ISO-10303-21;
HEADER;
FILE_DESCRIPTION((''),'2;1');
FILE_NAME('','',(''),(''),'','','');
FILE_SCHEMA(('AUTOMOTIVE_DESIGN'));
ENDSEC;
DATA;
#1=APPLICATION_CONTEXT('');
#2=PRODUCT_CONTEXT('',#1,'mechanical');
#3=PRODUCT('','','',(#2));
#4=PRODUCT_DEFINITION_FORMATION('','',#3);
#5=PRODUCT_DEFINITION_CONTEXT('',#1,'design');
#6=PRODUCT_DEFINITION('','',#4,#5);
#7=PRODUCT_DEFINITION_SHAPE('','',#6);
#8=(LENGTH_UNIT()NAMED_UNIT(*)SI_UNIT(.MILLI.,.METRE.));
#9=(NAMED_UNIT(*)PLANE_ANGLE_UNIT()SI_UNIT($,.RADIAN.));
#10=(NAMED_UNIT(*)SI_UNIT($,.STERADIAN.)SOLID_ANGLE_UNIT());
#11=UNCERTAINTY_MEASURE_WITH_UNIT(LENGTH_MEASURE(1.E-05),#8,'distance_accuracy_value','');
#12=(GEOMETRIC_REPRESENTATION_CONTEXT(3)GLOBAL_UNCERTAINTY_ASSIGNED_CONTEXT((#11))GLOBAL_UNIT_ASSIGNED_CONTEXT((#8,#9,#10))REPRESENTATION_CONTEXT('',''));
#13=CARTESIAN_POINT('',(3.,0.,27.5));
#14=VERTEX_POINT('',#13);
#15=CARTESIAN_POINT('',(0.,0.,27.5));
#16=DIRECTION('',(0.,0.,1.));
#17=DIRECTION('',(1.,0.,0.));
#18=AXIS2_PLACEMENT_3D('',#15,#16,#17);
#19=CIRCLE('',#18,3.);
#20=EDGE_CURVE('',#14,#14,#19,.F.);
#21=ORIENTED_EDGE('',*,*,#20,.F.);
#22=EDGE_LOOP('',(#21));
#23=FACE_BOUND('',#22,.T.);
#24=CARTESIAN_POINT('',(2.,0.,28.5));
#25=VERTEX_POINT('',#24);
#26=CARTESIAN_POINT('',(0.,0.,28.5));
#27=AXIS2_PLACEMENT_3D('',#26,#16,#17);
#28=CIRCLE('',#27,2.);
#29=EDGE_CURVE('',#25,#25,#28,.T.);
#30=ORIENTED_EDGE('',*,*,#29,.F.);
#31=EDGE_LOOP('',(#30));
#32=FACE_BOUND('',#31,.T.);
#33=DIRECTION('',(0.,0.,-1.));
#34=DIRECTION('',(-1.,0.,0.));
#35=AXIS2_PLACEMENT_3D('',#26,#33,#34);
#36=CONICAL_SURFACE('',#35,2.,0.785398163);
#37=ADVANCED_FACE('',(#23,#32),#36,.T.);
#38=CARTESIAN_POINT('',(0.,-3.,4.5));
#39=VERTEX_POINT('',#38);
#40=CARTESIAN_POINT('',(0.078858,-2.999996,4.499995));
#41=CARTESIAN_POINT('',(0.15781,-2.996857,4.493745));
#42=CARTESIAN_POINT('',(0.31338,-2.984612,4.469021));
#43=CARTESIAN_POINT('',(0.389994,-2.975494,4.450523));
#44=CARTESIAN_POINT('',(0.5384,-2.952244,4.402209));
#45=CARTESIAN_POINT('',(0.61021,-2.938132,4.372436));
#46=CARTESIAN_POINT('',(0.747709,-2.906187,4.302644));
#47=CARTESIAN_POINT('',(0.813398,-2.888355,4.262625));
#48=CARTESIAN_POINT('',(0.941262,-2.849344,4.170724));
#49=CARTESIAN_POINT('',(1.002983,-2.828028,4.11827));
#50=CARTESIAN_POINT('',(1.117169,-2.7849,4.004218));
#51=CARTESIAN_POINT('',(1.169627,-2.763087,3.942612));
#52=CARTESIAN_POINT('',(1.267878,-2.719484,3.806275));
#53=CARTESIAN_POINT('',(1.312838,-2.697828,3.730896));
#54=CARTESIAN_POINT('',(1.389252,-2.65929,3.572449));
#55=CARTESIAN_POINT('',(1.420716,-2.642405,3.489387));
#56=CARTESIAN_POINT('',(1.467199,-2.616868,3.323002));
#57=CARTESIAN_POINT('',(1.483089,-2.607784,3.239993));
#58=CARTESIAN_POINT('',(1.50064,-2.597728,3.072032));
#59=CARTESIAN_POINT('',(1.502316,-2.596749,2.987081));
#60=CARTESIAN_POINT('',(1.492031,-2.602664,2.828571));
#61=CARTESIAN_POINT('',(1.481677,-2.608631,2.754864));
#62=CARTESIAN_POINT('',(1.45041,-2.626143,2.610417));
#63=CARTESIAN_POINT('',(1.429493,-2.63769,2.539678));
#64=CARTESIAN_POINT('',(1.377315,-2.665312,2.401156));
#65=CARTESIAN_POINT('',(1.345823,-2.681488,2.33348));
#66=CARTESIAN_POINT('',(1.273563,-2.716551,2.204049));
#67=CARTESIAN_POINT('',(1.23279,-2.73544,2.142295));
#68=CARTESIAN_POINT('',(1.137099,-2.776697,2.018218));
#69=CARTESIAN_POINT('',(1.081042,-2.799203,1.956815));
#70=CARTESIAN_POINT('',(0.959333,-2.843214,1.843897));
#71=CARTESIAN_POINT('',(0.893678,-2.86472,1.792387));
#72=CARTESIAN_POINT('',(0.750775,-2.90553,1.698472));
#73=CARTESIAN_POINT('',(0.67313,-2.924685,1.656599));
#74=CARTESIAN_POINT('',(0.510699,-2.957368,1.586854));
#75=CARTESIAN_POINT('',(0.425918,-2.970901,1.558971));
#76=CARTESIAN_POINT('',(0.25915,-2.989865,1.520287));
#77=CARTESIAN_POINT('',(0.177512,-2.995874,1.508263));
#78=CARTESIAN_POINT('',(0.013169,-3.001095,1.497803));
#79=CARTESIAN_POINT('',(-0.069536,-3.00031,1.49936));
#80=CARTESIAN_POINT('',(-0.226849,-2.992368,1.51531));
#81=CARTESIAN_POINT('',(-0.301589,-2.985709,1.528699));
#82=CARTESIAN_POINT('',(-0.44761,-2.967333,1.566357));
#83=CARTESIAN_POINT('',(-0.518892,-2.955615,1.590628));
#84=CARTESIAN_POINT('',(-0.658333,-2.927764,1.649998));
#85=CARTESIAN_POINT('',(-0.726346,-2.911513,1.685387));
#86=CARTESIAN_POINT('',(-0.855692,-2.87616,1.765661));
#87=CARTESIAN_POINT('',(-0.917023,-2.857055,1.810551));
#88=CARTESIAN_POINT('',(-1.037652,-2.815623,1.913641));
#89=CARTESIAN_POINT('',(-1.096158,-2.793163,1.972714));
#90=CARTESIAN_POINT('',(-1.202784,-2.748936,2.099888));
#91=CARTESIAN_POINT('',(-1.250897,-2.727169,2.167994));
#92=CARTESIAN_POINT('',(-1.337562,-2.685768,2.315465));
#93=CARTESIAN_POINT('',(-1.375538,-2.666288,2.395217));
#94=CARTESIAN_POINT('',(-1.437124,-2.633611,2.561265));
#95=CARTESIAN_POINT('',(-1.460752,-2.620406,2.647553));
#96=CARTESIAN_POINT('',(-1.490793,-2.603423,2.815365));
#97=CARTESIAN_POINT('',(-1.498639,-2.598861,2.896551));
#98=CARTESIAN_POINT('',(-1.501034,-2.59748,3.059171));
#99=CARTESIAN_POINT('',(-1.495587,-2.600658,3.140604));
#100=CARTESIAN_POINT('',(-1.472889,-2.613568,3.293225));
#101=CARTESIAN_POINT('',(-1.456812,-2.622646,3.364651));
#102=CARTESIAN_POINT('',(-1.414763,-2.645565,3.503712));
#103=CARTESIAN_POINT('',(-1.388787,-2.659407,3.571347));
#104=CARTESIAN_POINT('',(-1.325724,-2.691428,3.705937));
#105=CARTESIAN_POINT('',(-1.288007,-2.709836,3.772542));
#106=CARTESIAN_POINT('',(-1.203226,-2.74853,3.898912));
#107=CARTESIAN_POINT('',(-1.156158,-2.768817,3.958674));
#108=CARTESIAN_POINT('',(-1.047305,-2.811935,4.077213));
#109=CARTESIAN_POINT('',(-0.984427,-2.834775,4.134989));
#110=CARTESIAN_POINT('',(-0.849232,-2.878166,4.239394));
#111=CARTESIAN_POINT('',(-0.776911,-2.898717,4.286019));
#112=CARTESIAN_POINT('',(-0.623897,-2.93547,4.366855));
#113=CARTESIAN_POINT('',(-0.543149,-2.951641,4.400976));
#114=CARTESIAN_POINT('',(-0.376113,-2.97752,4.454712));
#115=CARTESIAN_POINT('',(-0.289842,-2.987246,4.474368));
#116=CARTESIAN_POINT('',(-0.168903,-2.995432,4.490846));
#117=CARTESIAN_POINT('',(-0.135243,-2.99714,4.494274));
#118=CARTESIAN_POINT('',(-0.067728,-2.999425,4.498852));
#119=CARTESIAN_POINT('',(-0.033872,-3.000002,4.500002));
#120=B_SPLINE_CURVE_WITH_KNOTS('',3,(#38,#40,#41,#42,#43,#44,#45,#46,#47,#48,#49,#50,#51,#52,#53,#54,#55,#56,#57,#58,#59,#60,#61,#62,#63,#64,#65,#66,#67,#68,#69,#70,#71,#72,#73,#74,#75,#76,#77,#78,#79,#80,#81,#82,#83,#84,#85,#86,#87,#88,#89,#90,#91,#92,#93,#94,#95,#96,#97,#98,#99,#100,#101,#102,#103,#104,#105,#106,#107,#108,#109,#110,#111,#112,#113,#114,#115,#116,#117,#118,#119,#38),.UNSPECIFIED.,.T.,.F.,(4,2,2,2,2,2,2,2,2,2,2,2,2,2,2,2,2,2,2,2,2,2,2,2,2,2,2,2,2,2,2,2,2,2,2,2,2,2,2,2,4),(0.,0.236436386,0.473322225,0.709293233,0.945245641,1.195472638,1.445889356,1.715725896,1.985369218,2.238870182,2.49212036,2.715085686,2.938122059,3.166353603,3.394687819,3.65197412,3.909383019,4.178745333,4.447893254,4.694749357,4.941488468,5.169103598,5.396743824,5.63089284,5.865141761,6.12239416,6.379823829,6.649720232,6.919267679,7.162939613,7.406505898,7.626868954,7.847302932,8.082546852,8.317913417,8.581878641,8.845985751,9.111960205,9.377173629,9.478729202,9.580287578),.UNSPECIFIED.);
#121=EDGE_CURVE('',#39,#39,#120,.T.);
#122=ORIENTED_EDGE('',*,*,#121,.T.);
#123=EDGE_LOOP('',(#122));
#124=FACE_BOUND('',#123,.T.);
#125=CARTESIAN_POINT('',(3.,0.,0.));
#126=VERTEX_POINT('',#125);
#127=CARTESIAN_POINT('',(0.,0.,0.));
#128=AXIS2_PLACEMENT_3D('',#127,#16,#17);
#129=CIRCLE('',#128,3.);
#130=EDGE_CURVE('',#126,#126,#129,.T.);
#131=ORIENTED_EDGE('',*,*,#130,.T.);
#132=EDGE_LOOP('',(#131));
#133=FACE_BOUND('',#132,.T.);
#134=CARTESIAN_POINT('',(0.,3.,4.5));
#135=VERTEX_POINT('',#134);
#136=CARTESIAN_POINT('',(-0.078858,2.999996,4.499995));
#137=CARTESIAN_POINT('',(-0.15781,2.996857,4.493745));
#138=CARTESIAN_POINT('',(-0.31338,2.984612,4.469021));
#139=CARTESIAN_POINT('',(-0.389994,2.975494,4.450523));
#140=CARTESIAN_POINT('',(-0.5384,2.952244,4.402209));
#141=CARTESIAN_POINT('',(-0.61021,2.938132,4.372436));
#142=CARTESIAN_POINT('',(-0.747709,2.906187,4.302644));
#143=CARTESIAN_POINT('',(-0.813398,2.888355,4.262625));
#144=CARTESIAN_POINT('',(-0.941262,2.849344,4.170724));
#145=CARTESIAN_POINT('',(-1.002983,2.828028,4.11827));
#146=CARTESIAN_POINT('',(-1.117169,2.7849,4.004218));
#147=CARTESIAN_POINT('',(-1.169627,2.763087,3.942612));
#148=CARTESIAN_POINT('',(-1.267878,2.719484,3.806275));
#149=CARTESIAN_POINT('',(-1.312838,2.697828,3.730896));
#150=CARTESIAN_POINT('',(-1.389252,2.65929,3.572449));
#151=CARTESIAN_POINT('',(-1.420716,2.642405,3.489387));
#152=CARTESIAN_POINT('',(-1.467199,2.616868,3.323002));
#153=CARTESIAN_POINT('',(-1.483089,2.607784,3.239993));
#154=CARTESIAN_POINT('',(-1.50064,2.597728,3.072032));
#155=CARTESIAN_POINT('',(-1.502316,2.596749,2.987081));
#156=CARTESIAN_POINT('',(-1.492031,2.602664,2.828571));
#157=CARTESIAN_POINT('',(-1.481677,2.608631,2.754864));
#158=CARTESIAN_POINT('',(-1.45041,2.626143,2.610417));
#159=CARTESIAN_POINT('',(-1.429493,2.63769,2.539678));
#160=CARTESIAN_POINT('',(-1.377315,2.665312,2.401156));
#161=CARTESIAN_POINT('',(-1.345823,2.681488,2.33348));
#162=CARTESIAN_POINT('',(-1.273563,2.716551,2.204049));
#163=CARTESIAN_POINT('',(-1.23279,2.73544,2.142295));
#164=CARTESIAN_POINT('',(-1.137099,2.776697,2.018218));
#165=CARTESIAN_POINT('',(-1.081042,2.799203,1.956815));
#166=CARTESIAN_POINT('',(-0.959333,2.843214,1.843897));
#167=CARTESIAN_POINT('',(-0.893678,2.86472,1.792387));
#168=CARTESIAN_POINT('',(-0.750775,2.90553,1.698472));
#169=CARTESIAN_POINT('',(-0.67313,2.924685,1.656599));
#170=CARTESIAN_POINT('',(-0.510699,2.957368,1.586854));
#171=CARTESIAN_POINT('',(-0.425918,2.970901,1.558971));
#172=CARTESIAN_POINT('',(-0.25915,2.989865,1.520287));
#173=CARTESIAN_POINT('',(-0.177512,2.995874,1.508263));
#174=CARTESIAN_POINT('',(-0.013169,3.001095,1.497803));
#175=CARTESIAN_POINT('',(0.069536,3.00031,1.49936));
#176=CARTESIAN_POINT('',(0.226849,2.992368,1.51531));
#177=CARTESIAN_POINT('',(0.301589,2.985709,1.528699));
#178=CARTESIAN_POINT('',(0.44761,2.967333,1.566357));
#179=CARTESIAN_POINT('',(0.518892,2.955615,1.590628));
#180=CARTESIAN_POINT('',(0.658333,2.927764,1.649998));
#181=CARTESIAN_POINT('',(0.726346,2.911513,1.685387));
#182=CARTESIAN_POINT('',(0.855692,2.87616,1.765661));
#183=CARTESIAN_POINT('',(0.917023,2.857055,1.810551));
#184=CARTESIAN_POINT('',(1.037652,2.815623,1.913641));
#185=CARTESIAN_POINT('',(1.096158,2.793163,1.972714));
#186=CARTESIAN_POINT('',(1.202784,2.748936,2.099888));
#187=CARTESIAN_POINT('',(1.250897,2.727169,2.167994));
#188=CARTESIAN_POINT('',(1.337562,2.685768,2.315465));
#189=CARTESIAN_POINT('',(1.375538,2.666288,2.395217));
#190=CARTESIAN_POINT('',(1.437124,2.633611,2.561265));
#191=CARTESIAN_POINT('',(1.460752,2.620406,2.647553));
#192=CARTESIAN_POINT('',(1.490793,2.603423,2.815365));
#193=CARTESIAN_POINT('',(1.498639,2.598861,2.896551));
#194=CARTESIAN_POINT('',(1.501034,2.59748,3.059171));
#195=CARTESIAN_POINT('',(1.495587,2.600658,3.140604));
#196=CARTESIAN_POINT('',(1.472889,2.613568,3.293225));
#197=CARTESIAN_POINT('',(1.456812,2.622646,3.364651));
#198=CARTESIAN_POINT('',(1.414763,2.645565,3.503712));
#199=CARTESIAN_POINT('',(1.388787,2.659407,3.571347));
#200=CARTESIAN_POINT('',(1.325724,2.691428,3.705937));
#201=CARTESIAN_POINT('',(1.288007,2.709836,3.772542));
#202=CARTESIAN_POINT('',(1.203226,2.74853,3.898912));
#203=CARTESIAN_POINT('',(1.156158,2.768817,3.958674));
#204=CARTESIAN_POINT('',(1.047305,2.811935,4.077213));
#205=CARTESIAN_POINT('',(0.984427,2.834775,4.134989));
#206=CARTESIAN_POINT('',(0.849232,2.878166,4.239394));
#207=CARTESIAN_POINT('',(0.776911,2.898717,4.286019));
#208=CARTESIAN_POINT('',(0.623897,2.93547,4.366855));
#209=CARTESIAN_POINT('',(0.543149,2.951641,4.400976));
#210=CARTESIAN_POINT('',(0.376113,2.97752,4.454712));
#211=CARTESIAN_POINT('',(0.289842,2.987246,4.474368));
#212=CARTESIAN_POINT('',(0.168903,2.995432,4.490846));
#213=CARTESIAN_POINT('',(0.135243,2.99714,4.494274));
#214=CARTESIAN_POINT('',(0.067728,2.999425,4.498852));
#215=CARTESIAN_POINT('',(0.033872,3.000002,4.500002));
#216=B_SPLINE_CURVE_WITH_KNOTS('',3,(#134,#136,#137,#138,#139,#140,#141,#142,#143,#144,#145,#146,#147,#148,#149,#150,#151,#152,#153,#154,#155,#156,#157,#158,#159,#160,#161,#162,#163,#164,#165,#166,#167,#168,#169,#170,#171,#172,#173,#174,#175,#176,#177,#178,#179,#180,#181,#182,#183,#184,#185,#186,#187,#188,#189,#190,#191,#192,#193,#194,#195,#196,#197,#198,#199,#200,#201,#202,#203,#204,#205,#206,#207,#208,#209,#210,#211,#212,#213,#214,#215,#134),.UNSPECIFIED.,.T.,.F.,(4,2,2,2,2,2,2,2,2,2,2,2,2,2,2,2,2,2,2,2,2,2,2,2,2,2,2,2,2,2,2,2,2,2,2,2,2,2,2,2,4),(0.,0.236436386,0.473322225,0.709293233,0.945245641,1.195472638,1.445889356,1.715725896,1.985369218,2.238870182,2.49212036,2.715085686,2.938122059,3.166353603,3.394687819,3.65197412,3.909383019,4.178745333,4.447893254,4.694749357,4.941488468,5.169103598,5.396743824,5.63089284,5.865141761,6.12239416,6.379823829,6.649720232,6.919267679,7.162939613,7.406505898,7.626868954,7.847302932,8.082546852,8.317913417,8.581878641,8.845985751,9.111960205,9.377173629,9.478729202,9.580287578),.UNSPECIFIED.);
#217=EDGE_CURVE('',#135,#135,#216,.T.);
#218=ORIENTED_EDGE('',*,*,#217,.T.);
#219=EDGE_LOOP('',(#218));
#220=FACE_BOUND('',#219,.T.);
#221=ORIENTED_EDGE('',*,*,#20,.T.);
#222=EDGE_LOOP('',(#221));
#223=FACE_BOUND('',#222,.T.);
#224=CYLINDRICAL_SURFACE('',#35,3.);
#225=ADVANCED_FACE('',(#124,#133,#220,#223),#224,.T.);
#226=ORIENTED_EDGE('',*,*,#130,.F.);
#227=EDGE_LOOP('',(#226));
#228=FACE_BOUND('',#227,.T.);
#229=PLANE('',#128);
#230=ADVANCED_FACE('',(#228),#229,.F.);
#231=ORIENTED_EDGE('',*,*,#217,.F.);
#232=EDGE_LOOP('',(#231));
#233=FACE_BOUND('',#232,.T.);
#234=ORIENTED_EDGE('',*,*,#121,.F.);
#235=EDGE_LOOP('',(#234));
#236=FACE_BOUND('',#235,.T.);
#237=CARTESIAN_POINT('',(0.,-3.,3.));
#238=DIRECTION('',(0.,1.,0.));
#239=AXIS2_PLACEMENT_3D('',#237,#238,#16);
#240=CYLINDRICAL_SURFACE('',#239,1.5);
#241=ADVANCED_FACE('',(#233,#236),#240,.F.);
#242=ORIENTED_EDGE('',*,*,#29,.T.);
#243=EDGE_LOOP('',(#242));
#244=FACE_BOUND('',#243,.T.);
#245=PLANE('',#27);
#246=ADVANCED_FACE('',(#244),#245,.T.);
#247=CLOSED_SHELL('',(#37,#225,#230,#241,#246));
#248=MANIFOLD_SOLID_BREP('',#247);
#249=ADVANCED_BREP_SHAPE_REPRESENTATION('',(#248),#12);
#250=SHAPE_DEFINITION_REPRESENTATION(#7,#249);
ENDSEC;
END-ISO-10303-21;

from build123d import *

# Parameters (mm, degrees)
ESQUISSE1_R                  = 3
BOSS_EXTRU_1_DEPTH           = 28.5
ENL_V_MAT_EXTRU_1_DEPTH      = 29.814059068
ENL_V_MAT_EXTRU_1_DEPTH_BACK = 29.814059068
ESQUISSE2_R                  = 1.5
CHANFREIN1_SIZE              = 1


with BuildPart() as part:
    # Esquisse1 → Boss.-Extru.1 (new body)
    with BuildSketch(Plane.XY):
        with Locations(Location((0, 0, 0), (0, 0, 180))):
            Circle(ESQUISSE1_R)
    extrude(amount=BOSS_EXTRU_1_DEPTH)

    # Esquisse2 → Enlèv. mat.-Extru.1 (cut, two sides: drawn at the far end of the back side and taken through both)
    with BuildSketch(Plane(origin=(0, 0, 0), x_dir=(1, 0, 0), z_dir=(0, 1, 0)).offset(-ENL_V_MAT_EXTRU_1_DEPTH_BACK)):
        with Locations(Location((0, -3, 0), (0, 0, 270))):
            Circle(ESQUISSE2_R)
    extrude(amount=ENL_V_MAT_EXTRU_1_DEPTH + ENL_V_MAT_EXTRU_1_DEPTH_BACK, mode=Mode.SUBTRACT)

    # Chanfrein1
    chanfrein1_edges = [part.edges().sort_by_distance(p)[0] for p in [
        (3, 0, 28.5),
    ]]
    chamfer(chanfrein1_edges, length=CHANFREIN1_SIZE)


solid = part.part
